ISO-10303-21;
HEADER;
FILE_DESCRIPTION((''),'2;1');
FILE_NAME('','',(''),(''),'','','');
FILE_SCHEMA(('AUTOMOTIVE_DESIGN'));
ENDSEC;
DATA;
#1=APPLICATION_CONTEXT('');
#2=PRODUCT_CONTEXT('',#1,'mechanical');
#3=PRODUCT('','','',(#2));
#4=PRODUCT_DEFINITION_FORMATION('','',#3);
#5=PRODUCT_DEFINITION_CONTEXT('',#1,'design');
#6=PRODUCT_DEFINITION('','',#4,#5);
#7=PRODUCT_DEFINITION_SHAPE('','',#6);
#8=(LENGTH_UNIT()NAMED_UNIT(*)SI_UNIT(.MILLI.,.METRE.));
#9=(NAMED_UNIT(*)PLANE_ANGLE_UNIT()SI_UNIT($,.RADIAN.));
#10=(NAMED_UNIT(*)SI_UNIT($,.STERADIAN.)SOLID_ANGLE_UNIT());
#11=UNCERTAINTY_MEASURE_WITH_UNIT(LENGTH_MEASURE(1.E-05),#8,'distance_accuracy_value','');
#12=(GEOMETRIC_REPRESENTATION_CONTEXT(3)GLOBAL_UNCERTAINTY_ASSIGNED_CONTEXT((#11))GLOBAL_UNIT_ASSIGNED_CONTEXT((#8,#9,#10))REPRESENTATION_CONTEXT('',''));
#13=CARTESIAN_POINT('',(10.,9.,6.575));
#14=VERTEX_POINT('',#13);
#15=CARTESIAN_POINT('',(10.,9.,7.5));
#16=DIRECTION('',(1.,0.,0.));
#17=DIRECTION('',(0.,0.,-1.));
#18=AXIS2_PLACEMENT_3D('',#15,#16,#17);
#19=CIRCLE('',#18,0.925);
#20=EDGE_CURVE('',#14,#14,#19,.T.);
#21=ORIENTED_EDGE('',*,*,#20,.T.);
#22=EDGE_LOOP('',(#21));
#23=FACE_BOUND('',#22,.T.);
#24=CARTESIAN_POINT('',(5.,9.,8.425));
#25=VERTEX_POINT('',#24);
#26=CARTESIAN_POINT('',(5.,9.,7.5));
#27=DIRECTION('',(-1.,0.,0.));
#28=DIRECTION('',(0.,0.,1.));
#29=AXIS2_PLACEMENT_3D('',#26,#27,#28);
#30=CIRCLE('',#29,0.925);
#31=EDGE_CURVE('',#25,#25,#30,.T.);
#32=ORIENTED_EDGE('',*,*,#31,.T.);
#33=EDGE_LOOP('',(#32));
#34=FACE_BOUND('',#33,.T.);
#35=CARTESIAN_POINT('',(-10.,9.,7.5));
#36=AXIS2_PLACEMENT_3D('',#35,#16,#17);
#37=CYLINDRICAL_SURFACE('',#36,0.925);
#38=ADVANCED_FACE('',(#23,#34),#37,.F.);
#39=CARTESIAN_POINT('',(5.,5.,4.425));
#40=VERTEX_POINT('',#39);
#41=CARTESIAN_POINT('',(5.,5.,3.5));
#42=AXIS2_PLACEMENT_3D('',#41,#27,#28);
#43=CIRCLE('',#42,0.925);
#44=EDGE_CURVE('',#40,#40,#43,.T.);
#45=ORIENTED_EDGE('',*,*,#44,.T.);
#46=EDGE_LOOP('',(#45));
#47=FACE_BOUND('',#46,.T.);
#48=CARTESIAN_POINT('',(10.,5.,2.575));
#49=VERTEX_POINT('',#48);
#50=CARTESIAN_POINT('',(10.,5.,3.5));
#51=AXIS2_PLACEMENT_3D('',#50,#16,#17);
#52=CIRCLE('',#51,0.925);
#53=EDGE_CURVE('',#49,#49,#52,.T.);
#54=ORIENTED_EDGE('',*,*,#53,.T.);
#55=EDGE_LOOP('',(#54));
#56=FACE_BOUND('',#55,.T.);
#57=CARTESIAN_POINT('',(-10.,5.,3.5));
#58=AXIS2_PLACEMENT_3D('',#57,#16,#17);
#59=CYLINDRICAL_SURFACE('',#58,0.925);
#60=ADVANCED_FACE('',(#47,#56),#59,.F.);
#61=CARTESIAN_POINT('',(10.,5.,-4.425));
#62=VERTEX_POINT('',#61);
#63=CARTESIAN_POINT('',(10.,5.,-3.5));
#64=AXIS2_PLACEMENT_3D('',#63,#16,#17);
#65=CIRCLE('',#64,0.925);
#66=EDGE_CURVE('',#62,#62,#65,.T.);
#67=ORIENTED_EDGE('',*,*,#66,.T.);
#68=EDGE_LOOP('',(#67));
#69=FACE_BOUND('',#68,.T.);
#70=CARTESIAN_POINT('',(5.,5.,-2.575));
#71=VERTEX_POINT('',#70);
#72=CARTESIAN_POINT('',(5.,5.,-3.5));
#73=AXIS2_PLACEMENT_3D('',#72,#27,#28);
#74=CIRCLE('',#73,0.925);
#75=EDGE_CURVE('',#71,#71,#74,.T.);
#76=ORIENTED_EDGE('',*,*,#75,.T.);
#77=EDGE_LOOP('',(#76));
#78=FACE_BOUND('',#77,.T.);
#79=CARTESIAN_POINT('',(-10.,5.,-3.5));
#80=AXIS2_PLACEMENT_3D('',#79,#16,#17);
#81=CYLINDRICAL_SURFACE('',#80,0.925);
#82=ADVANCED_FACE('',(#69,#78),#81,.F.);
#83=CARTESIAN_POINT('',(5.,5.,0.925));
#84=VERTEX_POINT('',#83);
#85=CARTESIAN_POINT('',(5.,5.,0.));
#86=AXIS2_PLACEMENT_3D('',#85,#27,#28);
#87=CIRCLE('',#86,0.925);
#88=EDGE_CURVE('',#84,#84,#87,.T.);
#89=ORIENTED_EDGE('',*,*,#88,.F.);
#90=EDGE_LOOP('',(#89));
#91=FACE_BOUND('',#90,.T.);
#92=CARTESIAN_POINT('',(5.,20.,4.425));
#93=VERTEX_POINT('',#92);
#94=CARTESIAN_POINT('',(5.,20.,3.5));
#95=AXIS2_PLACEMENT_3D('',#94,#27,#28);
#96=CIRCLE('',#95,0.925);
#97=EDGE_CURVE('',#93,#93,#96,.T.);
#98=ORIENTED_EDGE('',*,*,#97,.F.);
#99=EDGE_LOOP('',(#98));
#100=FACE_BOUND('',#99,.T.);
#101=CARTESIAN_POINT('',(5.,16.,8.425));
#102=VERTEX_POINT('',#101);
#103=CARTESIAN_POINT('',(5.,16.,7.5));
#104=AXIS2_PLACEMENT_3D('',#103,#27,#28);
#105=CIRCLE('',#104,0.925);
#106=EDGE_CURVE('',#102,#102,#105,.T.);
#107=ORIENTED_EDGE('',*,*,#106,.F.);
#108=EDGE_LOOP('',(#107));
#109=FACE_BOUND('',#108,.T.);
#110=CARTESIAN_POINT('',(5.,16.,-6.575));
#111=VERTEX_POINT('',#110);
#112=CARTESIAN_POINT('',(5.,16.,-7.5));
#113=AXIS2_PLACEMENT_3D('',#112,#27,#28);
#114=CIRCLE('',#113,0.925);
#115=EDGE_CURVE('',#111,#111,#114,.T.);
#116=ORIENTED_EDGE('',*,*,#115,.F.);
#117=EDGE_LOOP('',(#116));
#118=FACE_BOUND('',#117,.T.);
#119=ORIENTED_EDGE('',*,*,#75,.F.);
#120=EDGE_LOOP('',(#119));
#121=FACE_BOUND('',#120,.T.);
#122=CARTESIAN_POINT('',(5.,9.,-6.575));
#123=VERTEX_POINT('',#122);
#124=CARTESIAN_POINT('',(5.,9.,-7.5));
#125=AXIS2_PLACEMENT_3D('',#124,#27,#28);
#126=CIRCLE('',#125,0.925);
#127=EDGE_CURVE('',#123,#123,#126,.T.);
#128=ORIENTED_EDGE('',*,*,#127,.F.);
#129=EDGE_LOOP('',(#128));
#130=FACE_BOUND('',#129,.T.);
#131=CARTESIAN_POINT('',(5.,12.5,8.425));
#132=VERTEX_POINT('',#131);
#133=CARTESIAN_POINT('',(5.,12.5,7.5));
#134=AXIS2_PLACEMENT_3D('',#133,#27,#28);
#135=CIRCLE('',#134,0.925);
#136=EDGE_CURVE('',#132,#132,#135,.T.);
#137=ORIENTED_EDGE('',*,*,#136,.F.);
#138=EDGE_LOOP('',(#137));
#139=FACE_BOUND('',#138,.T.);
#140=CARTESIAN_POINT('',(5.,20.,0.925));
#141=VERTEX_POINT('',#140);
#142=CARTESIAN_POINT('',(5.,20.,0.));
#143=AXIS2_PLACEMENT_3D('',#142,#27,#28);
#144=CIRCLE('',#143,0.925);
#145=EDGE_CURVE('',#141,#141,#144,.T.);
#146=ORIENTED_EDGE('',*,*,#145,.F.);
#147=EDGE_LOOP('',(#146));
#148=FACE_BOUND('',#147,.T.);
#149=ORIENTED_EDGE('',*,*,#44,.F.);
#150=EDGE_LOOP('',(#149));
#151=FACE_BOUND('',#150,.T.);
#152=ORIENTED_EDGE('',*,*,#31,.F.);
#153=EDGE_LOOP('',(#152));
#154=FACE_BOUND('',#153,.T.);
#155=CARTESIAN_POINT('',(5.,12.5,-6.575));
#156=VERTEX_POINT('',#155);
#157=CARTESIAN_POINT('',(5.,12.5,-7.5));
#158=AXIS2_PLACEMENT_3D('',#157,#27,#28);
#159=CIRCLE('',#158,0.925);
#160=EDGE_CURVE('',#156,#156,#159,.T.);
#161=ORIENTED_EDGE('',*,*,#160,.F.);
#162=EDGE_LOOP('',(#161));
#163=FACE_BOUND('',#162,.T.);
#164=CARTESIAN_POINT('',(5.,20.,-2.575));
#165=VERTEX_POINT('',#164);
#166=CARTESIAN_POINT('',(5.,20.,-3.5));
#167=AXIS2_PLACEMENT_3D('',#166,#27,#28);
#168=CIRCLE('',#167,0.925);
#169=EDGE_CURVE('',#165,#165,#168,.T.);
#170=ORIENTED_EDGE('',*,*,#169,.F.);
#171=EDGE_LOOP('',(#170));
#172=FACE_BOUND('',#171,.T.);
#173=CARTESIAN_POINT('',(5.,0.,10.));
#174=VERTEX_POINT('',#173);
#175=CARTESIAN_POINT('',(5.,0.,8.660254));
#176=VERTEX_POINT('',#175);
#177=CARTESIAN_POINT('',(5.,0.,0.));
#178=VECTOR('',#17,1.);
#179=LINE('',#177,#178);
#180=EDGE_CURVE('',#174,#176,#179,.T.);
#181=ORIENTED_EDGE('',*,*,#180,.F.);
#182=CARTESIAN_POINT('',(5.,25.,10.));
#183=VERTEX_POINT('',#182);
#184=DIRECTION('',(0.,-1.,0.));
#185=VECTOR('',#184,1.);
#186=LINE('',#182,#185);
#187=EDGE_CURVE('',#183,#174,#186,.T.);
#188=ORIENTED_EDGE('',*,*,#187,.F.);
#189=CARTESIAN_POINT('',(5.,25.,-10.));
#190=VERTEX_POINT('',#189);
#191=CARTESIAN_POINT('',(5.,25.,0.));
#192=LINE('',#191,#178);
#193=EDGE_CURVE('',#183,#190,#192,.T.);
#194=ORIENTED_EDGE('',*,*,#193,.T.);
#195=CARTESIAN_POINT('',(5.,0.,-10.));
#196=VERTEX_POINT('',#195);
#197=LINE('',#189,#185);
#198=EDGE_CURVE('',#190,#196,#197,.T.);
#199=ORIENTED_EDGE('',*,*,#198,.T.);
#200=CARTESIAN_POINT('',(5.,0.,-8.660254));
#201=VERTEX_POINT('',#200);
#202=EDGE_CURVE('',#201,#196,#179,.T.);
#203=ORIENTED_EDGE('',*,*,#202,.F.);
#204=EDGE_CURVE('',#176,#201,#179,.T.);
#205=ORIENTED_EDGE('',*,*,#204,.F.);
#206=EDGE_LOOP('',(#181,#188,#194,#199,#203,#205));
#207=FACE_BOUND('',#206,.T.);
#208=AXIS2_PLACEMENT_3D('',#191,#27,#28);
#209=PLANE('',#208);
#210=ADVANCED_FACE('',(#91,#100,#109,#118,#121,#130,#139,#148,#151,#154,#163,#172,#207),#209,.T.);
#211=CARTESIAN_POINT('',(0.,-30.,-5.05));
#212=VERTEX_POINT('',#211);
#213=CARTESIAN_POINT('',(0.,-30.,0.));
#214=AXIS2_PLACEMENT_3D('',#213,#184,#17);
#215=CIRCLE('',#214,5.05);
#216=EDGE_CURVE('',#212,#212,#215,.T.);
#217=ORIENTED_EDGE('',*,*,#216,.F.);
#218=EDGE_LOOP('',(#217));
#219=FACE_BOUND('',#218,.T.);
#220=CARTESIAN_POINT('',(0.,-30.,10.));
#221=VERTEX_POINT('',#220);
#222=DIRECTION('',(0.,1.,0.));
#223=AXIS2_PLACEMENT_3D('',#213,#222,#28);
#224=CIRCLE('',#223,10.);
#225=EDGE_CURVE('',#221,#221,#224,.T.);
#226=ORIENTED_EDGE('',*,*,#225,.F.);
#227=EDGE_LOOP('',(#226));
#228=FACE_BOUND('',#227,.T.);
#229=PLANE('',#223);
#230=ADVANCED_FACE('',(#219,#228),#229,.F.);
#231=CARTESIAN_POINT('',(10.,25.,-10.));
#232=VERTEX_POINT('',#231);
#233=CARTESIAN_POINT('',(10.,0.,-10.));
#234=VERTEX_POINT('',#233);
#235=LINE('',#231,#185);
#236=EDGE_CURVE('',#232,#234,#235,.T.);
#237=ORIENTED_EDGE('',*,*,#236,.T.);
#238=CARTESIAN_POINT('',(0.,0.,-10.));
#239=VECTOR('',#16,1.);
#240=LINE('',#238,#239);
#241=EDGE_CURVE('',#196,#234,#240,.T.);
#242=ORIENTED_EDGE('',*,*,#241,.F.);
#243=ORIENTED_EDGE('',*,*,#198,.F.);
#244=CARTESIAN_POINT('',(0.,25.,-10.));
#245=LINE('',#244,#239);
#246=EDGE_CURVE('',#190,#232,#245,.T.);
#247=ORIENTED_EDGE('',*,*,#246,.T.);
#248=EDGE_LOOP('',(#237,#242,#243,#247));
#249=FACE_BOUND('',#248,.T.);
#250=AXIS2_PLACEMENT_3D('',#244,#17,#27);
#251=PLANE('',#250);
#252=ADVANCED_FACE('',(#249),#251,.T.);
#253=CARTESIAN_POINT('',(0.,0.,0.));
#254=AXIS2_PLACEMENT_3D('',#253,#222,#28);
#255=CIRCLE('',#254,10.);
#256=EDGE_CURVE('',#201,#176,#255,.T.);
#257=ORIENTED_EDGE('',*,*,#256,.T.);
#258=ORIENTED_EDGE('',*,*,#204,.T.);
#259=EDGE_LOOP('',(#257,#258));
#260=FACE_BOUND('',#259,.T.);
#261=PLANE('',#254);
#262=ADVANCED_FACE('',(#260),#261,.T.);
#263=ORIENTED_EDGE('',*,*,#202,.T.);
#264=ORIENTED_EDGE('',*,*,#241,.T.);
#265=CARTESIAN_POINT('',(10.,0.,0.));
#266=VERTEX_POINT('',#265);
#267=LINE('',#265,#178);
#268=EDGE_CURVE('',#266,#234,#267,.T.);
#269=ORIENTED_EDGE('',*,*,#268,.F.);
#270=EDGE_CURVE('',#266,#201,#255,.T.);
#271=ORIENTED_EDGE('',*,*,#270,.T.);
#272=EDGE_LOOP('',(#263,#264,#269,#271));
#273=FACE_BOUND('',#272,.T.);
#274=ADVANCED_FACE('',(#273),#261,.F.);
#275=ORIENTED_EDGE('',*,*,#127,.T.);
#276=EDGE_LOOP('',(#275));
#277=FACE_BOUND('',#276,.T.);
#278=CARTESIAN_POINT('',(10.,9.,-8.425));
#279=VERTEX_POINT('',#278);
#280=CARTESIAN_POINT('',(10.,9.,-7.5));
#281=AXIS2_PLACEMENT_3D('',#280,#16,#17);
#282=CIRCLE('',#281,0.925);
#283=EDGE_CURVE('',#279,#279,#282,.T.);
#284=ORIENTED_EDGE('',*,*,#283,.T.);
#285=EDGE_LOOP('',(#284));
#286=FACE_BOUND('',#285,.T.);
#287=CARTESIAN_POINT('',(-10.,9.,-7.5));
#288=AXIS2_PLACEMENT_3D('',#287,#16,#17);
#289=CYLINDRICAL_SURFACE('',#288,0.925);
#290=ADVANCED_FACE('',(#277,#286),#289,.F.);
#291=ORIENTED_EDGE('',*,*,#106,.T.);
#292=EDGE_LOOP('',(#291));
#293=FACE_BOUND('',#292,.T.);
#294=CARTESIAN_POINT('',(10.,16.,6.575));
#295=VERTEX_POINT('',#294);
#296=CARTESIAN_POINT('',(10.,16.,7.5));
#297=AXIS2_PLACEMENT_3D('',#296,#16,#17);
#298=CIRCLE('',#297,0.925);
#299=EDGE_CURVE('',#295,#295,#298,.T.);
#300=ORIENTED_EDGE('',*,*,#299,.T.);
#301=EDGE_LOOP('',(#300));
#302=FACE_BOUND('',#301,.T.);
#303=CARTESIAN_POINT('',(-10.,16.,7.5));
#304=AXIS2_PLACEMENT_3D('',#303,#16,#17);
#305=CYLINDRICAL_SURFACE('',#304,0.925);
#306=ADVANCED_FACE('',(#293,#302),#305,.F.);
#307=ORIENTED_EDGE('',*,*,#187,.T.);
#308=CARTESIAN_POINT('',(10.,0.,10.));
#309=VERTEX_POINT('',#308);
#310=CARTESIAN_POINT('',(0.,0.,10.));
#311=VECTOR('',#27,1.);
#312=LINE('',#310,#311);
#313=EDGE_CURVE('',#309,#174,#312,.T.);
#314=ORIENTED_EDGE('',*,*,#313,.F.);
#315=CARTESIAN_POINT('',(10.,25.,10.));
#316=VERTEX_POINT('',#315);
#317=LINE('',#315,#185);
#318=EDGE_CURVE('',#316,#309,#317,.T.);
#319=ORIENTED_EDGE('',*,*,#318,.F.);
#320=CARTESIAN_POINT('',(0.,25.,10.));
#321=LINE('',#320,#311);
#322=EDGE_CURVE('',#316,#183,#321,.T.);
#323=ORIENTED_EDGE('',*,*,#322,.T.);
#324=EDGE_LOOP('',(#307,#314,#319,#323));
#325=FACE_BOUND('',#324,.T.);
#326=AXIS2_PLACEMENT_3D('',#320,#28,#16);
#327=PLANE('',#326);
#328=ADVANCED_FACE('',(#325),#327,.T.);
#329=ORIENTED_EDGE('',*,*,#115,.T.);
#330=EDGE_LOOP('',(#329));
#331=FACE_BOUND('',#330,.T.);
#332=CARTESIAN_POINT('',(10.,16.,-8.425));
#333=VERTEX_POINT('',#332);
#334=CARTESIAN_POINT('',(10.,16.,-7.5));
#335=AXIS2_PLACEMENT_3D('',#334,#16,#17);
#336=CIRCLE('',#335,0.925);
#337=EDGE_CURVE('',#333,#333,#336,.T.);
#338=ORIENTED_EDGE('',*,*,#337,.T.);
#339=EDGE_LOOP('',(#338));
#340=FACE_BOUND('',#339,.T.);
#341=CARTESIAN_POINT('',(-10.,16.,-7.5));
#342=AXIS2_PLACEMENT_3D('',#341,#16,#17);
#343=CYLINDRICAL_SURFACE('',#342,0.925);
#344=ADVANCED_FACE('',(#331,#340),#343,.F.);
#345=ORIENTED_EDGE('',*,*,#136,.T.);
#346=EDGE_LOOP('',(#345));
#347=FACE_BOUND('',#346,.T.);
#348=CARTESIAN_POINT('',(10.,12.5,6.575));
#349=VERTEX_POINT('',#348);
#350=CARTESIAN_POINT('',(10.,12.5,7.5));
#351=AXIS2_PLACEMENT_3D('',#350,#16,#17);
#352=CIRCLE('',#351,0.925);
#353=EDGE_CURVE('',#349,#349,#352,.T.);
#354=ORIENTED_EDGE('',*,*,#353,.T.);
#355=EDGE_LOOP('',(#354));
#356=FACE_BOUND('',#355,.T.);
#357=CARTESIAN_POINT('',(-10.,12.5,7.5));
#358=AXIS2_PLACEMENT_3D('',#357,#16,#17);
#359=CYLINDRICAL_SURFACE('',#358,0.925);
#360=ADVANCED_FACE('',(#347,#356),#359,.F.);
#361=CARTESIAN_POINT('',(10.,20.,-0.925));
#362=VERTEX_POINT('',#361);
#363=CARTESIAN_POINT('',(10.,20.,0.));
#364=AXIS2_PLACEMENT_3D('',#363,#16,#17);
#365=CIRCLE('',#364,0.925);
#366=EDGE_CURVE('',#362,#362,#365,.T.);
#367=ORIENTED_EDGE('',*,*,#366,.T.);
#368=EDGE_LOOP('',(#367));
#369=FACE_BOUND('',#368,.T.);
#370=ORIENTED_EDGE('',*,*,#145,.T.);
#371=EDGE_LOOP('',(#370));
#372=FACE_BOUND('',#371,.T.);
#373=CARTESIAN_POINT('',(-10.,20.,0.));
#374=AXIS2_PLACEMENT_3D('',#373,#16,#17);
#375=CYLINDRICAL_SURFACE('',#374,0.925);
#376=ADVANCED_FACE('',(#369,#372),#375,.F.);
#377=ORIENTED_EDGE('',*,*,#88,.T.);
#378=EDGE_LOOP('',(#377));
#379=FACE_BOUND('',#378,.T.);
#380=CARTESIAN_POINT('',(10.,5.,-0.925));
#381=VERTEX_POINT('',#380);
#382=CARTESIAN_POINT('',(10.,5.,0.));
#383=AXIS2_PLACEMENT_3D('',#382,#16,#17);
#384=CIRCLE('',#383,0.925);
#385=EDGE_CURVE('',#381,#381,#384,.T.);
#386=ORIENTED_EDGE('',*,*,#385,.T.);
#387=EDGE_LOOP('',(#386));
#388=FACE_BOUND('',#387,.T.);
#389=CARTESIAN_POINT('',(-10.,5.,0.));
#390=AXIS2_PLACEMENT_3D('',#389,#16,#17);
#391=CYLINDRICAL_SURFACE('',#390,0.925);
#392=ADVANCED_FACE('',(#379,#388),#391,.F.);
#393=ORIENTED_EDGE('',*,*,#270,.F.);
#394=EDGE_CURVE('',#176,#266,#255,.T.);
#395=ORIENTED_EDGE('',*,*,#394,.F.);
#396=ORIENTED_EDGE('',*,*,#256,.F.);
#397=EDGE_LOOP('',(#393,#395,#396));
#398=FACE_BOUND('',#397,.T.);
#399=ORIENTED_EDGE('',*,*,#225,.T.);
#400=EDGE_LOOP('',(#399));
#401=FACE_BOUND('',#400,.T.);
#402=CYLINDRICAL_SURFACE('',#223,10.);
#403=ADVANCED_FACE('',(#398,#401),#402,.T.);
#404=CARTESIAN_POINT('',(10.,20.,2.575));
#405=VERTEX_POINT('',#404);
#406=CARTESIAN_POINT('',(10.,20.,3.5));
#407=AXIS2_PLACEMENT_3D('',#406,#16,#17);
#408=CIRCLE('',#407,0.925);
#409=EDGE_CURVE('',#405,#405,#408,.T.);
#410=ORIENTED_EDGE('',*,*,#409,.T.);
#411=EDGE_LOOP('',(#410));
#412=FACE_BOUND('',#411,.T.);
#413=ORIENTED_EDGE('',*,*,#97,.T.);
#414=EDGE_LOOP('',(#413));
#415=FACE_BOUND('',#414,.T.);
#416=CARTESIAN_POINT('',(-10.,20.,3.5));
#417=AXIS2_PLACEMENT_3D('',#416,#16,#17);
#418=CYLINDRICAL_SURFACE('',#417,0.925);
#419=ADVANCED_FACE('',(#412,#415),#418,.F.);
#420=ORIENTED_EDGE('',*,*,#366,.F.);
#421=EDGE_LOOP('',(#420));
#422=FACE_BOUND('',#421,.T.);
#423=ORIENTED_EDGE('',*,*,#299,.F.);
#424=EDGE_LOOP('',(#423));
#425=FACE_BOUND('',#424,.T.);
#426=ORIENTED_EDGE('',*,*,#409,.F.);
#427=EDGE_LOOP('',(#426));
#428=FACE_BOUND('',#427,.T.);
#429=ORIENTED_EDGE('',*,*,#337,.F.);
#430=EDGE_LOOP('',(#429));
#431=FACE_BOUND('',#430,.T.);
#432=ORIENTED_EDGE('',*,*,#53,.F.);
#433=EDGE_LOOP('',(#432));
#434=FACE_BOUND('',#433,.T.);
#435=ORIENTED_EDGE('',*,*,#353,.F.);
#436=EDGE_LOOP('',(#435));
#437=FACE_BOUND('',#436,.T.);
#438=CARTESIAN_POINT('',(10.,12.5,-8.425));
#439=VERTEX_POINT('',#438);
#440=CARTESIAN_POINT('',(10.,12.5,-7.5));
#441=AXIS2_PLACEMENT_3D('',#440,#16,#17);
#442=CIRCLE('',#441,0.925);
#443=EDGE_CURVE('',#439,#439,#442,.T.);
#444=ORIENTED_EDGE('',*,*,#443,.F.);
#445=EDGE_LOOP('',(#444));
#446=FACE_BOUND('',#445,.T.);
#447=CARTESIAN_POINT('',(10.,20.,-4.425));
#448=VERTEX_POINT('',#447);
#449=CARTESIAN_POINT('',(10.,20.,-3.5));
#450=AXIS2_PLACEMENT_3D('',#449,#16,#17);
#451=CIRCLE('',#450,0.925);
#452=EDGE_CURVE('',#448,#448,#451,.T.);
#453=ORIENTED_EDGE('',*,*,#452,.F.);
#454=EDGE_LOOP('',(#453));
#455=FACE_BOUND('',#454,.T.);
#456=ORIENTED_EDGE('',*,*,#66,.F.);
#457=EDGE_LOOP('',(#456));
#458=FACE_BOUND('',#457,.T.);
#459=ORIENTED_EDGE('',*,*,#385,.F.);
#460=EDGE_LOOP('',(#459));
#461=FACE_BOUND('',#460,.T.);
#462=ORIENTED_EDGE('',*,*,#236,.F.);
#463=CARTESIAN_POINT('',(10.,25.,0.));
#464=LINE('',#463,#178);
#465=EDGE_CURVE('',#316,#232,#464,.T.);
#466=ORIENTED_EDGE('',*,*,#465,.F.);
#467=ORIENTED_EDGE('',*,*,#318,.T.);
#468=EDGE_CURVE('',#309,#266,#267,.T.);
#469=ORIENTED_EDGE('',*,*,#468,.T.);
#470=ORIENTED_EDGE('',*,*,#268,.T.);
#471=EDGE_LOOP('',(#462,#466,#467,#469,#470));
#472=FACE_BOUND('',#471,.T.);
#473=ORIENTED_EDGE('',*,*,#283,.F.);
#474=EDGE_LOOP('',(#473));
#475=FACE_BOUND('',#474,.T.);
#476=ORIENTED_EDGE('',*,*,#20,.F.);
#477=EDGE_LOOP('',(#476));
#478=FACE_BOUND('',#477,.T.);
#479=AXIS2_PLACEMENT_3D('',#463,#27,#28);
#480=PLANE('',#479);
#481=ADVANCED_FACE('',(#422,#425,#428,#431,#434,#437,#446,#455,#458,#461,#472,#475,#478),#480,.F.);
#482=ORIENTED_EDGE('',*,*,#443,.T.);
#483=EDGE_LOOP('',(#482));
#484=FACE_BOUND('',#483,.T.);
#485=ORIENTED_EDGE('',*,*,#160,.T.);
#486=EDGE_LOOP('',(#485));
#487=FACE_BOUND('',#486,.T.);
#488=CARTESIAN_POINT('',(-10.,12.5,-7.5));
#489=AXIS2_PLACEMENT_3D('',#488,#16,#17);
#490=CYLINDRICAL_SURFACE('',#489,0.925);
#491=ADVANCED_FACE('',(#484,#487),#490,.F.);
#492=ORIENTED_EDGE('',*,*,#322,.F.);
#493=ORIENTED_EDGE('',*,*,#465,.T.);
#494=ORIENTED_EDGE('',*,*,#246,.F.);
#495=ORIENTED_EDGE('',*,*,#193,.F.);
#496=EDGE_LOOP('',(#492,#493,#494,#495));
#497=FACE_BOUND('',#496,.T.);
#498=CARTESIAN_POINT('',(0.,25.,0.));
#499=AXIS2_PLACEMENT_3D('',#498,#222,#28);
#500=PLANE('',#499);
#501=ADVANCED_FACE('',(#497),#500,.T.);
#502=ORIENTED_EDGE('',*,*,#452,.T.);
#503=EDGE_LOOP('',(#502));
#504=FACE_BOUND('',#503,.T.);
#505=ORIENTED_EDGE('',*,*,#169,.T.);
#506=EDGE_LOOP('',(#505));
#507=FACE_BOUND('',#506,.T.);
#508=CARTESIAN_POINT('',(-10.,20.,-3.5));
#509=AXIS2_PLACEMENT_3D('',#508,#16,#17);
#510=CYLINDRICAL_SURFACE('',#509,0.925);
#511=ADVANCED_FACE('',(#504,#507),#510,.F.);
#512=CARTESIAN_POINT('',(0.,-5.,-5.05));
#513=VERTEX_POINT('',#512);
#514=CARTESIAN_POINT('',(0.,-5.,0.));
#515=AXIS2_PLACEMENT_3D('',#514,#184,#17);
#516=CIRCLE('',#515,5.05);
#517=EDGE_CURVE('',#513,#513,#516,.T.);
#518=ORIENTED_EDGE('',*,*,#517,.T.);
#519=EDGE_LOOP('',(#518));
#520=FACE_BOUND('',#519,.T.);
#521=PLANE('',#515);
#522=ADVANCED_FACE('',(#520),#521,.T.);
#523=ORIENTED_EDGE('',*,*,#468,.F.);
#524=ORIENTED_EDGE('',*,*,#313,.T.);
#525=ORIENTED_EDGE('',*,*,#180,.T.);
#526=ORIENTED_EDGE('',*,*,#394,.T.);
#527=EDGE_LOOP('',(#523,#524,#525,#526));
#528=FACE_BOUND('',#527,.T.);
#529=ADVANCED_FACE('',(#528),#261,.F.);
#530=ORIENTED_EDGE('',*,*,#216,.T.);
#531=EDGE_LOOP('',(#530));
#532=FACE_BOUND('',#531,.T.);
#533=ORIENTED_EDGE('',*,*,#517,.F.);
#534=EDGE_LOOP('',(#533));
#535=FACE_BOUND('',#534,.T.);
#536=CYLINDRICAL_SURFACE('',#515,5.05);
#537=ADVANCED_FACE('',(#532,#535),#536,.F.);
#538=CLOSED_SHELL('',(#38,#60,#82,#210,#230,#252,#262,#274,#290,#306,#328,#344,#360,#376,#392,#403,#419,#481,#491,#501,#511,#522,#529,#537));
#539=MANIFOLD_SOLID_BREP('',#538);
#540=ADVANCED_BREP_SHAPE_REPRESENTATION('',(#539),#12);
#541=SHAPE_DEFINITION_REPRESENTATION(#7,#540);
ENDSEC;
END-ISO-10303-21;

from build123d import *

# Parameters (mm, degrees)
SKETCH_1_R          = 10
EXTRUDE_1_DEPTH     = 30
SKETCH_1_3_W        = 5
SKETCH_1_3_H        = 20
EXTRUDE_2_DEPTH     = 25
SKETCH_2_R          = 0.925
CUT_EXTRUDE_1_DEPTH = 38.416573868
SKETCH_3_R          = 5.05
CUT_EXTRUDE_2_DEPTH = 25


with BuildPart() as part:
    # Эскиз1 → Бобышка-Вытянуть1 (new body)
    with BuildSketch(Plane(origin=(0, 0, 0), x_dir=(1, 0, 0), z_dir=(0, 1, 0))):
        Circle(SKETCH_1_R)
    extrude(amount=-EXTRUDE_1_DEPTH)

    # Эскиз1<3> → Бобышка-Вытянуть2 (add)
    with BuildSketch(Plane(origin=(0, 0, 0), x_dir=(1, 0, 0), z_dir=(0, 1, 0))):
        with Locations((7.5, 0)):
            Rectangle(SKETCH_1_3_W, SKETCH_1_3_H)
    extrude(amount=EXTRUDE_2_DEPTH)

    # Эскиз2 → Вырез-Вытянуть1 (cut, through all)
    with BuildSketch(Plane(origin=(10, 0, 0), x_dir=(0, 0, -1), z_dir=(1, 0, 0))):
        with Locations((0, 5)):
            Circle(SKETCH_2_R)
        with Locations((3.5, 5)):
            Circle(SKETCH_2_R)
        with Locations((-3.5, 5)):
            Circle(SKETCH_2_R)
        with Locations((0, 20)):
            Circle(SKETCH_2_R)
        with Locations((-3.5, 20)):
            Circle(SKETCH_2_R)
        with Locations((3.5, 20)):
            Circle(SKETCH_2_R)
        with Locations((-7.5, 12.5)):
            Circle(SKETCH_2_R)
        with Locations((7.5, 12.5)):
            Circle(SKETCH_2_R)
        with Locations((-7.5, 9)):
            Circle(SKETCH_2_R)
        with Locations((-7.5, 16)):
            Circle(SKETCH_2_R)
        with Locations((7.5, 9)):
            Circle(SKETCH_2_R)
        with Locations((7.5, 16)):
            Circle(SKETCH_2_R)
    extrude(amount=-CUT_EXTRUDE_1_DEPTH, mode=Mode.SUBTRACT)

    # Эскиз3 → Вырез-Вытянуть2 (cut)
    with BuildSketch(Plane.XZ.offset(30)):
        Circle(SKETCH_3_R)
    extrude(amount=-CUT_EXTRUDE_2_DEPTH, mode=Mode.SUBTRACT)


solid = part.part
